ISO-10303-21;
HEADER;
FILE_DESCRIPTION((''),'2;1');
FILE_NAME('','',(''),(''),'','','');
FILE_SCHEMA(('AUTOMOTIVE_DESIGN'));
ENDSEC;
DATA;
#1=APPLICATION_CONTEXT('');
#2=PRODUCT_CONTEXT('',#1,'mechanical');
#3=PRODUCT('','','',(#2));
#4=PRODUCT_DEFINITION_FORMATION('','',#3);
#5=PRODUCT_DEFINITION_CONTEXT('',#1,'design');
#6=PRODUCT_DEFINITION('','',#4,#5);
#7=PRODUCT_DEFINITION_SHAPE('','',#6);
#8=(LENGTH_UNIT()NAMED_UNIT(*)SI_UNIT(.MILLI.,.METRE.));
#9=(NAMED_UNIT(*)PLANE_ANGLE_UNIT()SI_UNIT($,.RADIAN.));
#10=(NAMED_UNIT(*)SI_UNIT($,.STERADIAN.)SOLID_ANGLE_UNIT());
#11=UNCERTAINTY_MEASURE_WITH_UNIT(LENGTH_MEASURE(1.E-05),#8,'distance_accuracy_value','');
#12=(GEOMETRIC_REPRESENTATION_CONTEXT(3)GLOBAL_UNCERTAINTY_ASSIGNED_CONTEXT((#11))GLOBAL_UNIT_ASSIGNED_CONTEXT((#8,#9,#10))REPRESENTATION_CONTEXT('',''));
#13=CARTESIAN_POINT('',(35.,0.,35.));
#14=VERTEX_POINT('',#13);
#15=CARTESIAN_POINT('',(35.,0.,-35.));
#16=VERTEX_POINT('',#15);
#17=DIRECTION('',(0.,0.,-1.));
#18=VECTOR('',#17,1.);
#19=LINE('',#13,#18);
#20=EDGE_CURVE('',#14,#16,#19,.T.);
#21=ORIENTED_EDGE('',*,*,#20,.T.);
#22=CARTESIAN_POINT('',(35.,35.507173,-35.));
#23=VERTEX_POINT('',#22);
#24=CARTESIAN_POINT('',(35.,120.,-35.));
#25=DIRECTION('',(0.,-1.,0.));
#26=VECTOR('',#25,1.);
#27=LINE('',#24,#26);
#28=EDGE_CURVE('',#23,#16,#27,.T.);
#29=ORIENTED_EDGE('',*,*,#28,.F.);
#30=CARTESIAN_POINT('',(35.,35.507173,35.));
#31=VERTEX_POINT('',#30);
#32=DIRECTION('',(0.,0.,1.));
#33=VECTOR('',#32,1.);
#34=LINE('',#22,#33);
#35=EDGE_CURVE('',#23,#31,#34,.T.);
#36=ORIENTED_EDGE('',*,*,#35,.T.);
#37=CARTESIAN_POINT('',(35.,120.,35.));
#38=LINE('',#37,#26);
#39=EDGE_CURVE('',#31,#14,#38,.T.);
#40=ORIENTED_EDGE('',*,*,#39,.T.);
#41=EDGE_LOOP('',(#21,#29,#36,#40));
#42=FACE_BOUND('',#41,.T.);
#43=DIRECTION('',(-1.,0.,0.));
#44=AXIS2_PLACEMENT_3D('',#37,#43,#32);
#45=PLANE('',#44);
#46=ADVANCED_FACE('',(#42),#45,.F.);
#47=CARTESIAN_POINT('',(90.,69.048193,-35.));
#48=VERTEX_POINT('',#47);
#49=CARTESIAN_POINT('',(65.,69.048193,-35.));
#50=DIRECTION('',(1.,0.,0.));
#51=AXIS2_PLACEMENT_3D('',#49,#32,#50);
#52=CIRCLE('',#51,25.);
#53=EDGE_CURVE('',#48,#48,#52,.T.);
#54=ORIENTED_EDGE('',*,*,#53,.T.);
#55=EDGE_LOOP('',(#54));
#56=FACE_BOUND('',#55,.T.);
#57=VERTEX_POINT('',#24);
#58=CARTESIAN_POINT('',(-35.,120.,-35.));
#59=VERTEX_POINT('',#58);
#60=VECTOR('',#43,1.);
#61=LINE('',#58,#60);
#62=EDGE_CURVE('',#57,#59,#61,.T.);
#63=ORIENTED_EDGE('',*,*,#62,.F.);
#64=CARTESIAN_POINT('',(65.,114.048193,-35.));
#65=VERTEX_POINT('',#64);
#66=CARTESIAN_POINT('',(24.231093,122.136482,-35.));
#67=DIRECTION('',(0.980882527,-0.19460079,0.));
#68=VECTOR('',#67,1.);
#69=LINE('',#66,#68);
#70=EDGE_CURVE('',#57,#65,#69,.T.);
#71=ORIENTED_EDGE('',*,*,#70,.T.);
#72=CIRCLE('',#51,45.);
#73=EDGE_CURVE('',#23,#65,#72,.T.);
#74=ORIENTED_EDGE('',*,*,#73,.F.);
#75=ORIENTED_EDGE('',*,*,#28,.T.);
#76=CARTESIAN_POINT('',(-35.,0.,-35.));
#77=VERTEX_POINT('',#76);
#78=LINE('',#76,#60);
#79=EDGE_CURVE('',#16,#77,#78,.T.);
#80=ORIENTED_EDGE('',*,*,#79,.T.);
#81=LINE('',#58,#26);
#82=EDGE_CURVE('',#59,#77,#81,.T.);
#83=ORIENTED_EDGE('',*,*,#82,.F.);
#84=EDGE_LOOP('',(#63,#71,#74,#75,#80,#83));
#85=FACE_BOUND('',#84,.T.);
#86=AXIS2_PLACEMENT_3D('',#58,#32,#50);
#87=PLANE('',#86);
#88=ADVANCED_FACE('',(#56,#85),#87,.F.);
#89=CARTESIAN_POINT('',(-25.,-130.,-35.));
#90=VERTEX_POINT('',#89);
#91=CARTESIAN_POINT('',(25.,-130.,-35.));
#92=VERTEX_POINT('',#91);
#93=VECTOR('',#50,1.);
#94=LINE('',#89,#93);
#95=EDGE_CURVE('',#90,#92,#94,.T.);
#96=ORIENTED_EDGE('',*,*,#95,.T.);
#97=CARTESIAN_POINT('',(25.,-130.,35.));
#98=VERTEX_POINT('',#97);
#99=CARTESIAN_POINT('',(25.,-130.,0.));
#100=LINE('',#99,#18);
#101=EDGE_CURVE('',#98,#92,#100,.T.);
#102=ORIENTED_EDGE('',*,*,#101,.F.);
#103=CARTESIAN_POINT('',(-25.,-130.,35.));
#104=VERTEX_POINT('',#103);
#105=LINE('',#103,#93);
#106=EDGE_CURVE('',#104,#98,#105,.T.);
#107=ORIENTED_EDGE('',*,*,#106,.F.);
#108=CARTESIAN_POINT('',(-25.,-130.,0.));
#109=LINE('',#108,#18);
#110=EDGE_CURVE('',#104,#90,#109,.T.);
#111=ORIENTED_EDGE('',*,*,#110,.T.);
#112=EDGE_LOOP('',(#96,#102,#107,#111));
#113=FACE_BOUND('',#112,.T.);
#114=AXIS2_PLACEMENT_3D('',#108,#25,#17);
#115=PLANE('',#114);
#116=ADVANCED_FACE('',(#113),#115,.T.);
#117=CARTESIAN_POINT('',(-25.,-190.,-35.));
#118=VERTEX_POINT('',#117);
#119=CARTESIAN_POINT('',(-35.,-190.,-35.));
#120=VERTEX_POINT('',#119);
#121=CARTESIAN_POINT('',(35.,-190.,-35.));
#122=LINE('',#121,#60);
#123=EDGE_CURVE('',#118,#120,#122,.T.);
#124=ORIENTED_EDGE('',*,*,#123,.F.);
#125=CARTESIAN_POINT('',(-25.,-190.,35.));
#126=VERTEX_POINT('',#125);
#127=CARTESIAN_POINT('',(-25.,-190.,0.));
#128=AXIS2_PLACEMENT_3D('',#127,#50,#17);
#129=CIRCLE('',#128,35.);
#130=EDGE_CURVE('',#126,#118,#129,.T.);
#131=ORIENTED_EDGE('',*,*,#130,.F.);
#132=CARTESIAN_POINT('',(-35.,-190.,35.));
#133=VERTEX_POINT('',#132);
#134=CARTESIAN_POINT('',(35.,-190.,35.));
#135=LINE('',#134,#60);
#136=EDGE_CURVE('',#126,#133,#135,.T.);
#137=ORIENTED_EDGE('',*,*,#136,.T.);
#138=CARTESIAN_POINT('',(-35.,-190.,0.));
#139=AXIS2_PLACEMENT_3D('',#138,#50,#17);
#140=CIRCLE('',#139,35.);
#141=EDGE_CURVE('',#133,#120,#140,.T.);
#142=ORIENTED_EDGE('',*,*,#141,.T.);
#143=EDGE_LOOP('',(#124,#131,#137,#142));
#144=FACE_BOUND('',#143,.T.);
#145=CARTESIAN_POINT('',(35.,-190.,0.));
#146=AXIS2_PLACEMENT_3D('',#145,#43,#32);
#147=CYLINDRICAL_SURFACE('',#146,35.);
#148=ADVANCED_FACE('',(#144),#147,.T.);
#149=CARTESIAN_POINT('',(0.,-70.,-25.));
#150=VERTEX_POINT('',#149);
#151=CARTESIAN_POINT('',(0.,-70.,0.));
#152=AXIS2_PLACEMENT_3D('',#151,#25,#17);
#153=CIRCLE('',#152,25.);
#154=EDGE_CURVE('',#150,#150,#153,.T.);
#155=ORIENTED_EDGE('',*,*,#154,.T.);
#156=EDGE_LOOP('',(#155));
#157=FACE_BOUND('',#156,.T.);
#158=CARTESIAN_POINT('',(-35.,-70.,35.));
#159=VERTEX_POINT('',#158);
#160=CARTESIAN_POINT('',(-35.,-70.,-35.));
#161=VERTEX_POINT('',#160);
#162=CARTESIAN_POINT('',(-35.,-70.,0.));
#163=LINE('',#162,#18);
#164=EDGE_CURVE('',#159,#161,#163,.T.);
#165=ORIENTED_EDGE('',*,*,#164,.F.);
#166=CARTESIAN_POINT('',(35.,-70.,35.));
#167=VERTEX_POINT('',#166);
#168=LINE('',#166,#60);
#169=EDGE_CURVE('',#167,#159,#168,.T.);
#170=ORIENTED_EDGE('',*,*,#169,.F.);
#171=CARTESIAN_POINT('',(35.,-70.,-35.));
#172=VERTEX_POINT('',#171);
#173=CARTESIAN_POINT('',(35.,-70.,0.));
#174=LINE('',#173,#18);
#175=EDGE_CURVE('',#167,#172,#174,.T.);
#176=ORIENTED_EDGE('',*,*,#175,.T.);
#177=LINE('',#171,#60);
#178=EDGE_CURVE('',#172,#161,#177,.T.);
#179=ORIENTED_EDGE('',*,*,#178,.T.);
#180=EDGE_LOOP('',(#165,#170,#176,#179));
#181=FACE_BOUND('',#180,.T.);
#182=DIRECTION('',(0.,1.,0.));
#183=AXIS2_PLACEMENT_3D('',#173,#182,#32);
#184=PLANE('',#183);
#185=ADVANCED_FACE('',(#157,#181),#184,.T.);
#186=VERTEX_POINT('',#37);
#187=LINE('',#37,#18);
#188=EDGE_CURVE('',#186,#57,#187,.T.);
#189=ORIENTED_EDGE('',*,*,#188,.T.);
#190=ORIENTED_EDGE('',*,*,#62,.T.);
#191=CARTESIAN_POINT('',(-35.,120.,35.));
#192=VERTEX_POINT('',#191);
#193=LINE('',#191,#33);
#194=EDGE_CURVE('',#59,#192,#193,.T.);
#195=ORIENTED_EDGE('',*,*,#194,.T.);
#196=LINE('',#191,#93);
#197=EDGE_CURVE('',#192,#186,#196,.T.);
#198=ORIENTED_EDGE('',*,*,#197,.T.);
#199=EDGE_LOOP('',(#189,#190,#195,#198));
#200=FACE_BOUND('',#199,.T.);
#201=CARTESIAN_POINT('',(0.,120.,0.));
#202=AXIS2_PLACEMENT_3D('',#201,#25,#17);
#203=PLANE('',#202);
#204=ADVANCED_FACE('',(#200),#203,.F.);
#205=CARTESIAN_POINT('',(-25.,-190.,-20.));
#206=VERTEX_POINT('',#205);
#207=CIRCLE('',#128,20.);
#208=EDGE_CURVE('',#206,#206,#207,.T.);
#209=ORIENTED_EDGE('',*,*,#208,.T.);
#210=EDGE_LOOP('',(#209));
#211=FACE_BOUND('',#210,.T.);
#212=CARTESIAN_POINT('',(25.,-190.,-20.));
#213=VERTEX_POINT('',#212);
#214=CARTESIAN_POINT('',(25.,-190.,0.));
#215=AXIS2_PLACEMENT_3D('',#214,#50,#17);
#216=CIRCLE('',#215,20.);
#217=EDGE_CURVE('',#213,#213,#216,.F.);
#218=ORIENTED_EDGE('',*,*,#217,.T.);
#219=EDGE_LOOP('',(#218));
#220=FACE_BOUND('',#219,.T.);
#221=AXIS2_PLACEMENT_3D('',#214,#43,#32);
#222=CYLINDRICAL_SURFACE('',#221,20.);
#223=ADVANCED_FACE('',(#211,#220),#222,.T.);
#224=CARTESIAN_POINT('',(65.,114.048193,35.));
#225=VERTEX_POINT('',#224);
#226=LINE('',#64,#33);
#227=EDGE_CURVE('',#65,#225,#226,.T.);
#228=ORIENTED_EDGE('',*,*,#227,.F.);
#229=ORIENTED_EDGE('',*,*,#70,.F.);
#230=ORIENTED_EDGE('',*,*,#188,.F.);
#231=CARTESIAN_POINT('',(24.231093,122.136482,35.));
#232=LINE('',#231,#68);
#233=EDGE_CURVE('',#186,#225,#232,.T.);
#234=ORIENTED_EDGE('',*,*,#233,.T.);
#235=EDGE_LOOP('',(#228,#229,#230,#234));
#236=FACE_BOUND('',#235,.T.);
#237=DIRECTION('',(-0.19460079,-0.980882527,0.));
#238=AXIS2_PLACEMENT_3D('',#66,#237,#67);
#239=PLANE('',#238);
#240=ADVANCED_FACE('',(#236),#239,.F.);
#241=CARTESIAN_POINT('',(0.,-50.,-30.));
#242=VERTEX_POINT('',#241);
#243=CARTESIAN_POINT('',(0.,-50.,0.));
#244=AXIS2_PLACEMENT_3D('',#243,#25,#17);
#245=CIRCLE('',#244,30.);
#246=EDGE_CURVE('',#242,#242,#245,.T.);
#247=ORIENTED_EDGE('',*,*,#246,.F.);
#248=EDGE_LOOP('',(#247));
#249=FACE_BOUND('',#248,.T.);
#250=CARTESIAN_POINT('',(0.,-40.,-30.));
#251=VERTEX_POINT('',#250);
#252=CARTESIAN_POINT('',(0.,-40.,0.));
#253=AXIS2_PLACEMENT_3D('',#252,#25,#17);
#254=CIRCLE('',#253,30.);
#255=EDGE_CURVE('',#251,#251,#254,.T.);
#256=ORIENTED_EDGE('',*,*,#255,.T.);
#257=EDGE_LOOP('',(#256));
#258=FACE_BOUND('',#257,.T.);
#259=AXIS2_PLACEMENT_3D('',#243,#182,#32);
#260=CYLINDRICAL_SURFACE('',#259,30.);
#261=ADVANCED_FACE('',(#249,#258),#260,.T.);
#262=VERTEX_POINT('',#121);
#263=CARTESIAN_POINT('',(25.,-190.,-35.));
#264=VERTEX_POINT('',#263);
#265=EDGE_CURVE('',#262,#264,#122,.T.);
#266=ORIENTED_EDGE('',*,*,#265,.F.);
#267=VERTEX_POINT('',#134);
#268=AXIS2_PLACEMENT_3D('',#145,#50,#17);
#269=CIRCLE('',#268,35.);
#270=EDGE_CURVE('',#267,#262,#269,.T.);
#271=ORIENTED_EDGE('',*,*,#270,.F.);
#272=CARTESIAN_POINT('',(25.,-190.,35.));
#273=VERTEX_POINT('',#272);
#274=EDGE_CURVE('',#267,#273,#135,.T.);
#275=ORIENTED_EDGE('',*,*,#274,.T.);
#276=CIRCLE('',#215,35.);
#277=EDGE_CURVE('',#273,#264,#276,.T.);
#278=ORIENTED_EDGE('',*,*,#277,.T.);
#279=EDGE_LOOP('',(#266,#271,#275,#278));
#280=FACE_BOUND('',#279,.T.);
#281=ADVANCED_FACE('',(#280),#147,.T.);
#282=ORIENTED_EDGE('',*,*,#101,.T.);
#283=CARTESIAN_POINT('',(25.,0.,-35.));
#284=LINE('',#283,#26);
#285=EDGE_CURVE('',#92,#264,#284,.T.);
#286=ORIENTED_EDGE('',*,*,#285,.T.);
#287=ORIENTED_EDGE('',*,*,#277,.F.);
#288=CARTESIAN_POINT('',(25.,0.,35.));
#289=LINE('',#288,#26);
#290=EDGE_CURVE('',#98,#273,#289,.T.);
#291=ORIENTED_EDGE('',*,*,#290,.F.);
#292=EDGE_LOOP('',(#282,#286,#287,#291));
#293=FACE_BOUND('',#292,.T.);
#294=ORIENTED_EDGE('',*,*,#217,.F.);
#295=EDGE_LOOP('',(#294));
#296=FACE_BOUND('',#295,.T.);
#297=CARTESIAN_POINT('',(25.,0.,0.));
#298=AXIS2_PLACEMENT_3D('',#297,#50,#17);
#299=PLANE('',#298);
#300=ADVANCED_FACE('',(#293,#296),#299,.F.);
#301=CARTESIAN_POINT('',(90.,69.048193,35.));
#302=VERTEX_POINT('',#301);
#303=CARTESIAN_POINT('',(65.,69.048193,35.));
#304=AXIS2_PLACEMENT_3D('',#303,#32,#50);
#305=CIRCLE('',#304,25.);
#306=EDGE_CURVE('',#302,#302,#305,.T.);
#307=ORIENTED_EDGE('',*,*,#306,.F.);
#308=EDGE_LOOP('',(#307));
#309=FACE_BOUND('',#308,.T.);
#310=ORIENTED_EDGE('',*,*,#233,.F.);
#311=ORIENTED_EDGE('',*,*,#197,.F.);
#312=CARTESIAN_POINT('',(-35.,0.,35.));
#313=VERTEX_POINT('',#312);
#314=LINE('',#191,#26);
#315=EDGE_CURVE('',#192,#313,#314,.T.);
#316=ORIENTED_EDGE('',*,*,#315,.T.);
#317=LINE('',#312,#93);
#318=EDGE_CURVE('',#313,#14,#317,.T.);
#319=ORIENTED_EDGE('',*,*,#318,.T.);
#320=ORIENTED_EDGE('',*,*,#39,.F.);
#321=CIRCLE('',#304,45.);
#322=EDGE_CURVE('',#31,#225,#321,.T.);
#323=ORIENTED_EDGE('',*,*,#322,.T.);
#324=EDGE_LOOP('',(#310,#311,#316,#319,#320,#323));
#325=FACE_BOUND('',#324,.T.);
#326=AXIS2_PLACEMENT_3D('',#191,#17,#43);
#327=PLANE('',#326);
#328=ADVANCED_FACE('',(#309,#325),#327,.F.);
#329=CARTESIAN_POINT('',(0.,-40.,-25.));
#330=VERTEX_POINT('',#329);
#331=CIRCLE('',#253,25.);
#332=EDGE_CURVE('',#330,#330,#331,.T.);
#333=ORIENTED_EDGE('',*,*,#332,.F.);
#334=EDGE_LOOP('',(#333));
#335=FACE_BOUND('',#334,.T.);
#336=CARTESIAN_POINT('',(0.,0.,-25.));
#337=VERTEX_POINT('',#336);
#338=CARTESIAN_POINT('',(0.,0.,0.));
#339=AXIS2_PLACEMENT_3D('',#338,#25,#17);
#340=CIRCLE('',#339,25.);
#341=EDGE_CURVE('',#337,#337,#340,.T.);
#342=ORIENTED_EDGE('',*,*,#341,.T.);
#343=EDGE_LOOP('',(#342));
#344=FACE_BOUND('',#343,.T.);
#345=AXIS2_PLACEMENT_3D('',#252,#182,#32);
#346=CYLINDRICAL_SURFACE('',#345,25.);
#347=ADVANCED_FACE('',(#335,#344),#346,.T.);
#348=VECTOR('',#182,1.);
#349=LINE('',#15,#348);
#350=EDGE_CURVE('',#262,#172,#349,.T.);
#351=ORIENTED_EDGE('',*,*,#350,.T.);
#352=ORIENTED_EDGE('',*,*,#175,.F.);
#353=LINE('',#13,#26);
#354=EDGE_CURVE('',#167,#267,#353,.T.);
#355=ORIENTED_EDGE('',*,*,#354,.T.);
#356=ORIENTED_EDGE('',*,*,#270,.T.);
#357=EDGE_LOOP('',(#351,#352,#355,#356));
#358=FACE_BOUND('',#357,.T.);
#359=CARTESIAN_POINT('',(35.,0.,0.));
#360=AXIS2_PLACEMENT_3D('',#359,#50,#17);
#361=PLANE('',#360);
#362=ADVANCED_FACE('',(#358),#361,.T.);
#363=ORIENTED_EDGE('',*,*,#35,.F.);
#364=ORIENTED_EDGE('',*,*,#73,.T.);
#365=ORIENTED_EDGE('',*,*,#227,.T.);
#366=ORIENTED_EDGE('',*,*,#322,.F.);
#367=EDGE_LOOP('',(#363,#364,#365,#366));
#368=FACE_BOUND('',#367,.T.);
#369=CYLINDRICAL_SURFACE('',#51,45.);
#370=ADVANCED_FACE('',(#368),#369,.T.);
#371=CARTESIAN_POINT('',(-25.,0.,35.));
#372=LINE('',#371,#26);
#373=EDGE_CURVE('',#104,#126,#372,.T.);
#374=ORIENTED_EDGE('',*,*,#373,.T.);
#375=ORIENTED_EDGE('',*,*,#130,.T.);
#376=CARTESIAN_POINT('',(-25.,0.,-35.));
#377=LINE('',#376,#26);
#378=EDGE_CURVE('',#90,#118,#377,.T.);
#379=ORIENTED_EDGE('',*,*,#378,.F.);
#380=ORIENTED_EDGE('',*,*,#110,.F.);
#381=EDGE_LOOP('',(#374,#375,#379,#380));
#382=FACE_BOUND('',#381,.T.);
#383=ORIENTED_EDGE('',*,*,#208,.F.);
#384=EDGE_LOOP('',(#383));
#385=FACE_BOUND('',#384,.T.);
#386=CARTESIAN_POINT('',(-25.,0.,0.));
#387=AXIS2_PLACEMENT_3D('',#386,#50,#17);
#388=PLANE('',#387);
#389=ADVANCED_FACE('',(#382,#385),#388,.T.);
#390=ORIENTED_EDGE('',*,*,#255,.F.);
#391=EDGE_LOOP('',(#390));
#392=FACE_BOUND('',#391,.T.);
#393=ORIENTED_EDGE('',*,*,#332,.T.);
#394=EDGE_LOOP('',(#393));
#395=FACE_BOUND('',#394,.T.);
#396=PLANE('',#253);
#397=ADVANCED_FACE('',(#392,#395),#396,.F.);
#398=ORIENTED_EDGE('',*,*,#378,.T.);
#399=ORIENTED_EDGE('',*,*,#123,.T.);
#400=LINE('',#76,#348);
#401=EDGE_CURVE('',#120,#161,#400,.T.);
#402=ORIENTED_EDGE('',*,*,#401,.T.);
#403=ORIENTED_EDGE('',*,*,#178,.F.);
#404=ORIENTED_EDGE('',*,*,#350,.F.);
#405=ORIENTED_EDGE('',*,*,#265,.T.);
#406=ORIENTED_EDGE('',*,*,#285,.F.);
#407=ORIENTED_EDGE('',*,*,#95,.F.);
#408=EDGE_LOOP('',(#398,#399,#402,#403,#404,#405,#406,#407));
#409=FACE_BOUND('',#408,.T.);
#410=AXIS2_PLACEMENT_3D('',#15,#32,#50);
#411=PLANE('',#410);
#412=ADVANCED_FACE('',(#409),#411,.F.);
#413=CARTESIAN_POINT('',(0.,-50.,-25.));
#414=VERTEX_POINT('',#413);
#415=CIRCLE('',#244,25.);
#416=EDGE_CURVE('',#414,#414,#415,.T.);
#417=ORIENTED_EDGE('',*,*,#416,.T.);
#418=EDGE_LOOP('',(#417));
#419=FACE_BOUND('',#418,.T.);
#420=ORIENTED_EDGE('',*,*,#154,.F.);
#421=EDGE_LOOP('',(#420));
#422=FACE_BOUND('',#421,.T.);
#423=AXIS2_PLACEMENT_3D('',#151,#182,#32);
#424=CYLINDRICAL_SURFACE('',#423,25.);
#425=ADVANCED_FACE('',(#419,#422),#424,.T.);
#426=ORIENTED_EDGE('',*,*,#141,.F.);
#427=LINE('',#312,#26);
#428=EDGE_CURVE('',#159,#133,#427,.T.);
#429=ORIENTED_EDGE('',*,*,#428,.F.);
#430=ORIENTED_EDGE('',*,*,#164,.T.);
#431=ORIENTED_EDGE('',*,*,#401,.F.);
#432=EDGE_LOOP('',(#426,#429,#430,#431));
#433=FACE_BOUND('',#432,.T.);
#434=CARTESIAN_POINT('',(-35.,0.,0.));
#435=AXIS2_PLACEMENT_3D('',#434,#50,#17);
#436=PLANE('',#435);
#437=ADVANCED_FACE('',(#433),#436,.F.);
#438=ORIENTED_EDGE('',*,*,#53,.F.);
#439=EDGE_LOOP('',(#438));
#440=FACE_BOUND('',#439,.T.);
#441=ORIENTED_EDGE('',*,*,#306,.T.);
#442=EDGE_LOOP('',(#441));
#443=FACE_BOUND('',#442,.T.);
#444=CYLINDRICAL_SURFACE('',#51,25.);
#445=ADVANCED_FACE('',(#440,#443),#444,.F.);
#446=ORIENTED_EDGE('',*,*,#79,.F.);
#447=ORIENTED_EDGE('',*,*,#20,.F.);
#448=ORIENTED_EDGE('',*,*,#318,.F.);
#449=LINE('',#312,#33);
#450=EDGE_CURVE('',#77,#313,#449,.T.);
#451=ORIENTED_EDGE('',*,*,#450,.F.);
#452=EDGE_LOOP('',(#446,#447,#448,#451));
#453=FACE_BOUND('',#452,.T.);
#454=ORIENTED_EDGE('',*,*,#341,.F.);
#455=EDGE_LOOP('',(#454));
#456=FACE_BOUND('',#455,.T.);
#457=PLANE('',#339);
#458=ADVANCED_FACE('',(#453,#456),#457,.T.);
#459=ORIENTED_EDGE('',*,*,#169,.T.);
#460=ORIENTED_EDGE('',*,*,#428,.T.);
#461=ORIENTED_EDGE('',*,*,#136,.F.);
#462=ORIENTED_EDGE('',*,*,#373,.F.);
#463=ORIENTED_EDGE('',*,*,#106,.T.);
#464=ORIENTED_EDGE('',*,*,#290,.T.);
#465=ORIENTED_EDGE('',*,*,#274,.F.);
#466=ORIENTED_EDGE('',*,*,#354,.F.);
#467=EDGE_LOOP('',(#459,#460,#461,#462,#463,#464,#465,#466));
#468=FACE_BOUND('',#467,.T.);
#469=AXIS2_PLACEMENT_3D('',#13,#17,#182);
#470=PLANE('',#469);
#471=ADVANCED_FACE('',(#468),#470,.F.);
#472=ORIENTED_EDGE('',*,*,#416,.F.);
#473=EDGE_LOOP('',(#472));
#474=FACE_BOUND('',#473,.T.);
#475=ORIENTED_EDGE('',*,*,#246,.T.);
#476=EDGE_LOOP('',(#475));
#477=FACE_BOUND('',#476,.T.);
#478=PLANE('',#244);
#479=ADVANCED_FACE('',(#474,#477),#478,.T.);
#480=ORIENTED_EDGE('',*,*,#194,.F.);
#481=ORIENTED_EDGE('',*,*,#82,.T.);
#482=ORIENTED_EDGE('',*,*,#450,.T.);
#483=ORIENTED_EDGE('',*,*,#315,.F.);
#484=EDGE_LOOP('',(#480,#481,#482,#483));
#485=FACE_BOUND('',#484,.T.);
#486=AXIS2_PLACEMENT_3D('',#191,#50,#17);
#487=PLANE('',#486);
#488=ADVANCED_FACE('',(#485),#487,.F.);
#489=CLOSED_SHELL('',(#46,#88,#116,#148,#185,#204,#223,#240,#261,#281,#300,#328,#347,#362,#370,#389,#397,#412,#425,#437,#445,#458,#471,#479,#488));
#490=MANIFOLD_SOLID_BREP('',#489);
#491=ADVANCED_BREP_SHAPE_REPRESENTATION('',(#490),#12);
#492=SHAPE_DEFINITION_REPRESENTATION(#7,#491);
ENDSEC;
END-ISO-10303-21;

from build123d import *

# Parameters (mm, degrees)
SKETCH1_W           = 70
SKETCH1_H           = 70
BOSS_EXTRUDE1_DEPTH = 120
SKETCH2_R           = 25
BOSS_EXTRUDE2_DEPTH = 40
SKETCH3_R           = 30
BOSS_EXTRUDE3_DEPTH = 10
SKETCH4_R           = 25
BOSS_EXTRUDE4_DEPTH = 70
SKETCH5_R           = 25
BOSS_EXTRUDE5_DEPTH = 20
BOSS_EXTRUDE6_DEPTH = 35
CUT_EXTRUDE1_DEPTH  = 25
SKETCH9_R           = 20
BOSS_EXTRUDE7_DEPTH = 50


with BuildPart() as part:
    # Sketch1 → Boss-Extrude1 (new body)
    with BuildSketch(Plane(origin=(0, 0, 0), x_dir=(1, 0, 0), z_dir=(0, 1, 0))):
        Rectangle(SKETCH1_W, SKETCH1_H)
    extrude(amount=BOSS_EXTRUDE1_DEPTH)

    # Sketch2 → Boss-Extrude2 (add)
    with BuildSketch(Plane.XZ):
        with Locations(Location((0, 0, 0), (0, 0, 270))):
            Circle(SKETCH2_R)
    extrude(amount=BOSS_EXTRUDE2_DEPTH)

    # Sketch3 → Boss-Extrude3 (add)
    with BuildSketch(Plane.XZ.offset(40)):
        with Locations(Location((0, 0, 0), (0, 0, 270))):
            Circle(SKETCH3_R)
    extrude(amount=BOSS_EXTRUDE3_DEPTH)

    # Sketch4 → Boss-Extrude4 (add)
    with BuildSketch(Plane.XY.offset(35)):
        with BuildLine():
            Line((65, 114.048192782), (35, 120))
            Line((35, 120), (35, 35.50717312))
            ThreePointArc((35, 35.50717312), (107.037756153, 52.991198743), (65, 114.048192782))
        make_face()
        with Locations((65, 69.048192782)):
            Circle(SKETCH4_R, mode=Mode.SUBTRACT)
    extrude(amount=-BOSS_EXTRUDE4_DEPTH)

    # Sketch5 → Boss-Extrude5 (add)
    with BuildSketch(Plane.XZ.offset(50)):
        with Locations(Location((0, 0, 0), (0, 0, 270))):
            Circle(SKETCH5_R)
    extrude(amount=BOSS_EXTRUDE5_DEPTH)

    # Sketch6 → Boss-Extrude6 (add, symmetric)
    with BuildSketch(Plane(origin=(0, 0, 0), x_dir=(0, 0, -1), z_dir=(1, 0, 0))):
        with BuildLine():
            ThreePointArc((-35, -190), (0, -225), (35, -190))
            Line((35, -190), (35, -155))
            Line((35, -155), (35, -70))
            Line((35, -70), (-35, -70))
            Line((-35, -70), (-35, -155))
            Line((-35, -155), (-35, -190))
        make_face()
    extrude(amount=BOSS_EXTRUDE6_DEPTH, both=True)

    # Sketch8 → Cut-Extrude1 (cut, symmetric)
    with BuildSketch(Plane(origin=(0, 0, 0), x_dir=(0, 0, -1), z_dir=(1, 0, 0))):
        with BuildLine():
            Line((-35, -130), (-35, -190))
            ThreePointArc((-35, -190), (0, -225), (35, -190))
            Line((35, -190), (35, -130))
            Line((35, -130), (-35, -130))
        make_face()
    extrude(amount=CUT_EXTRUDE1_DEPTH, both=True, mode=Mode.SUBTRACT)

    # Sketch9 → Boss-Extrude7 (add)
    with BuildSketch(Plane(origin=(-25, 0, 0), x_dir=(0, 0, -1), z_dir=(1, 0, 0))):
        with Locations((0, -190)):
            Circle(SKETCH9_R)
    extrude(amount=BOSS_EXTRUDE7_DEPTH)


solid = part.part
